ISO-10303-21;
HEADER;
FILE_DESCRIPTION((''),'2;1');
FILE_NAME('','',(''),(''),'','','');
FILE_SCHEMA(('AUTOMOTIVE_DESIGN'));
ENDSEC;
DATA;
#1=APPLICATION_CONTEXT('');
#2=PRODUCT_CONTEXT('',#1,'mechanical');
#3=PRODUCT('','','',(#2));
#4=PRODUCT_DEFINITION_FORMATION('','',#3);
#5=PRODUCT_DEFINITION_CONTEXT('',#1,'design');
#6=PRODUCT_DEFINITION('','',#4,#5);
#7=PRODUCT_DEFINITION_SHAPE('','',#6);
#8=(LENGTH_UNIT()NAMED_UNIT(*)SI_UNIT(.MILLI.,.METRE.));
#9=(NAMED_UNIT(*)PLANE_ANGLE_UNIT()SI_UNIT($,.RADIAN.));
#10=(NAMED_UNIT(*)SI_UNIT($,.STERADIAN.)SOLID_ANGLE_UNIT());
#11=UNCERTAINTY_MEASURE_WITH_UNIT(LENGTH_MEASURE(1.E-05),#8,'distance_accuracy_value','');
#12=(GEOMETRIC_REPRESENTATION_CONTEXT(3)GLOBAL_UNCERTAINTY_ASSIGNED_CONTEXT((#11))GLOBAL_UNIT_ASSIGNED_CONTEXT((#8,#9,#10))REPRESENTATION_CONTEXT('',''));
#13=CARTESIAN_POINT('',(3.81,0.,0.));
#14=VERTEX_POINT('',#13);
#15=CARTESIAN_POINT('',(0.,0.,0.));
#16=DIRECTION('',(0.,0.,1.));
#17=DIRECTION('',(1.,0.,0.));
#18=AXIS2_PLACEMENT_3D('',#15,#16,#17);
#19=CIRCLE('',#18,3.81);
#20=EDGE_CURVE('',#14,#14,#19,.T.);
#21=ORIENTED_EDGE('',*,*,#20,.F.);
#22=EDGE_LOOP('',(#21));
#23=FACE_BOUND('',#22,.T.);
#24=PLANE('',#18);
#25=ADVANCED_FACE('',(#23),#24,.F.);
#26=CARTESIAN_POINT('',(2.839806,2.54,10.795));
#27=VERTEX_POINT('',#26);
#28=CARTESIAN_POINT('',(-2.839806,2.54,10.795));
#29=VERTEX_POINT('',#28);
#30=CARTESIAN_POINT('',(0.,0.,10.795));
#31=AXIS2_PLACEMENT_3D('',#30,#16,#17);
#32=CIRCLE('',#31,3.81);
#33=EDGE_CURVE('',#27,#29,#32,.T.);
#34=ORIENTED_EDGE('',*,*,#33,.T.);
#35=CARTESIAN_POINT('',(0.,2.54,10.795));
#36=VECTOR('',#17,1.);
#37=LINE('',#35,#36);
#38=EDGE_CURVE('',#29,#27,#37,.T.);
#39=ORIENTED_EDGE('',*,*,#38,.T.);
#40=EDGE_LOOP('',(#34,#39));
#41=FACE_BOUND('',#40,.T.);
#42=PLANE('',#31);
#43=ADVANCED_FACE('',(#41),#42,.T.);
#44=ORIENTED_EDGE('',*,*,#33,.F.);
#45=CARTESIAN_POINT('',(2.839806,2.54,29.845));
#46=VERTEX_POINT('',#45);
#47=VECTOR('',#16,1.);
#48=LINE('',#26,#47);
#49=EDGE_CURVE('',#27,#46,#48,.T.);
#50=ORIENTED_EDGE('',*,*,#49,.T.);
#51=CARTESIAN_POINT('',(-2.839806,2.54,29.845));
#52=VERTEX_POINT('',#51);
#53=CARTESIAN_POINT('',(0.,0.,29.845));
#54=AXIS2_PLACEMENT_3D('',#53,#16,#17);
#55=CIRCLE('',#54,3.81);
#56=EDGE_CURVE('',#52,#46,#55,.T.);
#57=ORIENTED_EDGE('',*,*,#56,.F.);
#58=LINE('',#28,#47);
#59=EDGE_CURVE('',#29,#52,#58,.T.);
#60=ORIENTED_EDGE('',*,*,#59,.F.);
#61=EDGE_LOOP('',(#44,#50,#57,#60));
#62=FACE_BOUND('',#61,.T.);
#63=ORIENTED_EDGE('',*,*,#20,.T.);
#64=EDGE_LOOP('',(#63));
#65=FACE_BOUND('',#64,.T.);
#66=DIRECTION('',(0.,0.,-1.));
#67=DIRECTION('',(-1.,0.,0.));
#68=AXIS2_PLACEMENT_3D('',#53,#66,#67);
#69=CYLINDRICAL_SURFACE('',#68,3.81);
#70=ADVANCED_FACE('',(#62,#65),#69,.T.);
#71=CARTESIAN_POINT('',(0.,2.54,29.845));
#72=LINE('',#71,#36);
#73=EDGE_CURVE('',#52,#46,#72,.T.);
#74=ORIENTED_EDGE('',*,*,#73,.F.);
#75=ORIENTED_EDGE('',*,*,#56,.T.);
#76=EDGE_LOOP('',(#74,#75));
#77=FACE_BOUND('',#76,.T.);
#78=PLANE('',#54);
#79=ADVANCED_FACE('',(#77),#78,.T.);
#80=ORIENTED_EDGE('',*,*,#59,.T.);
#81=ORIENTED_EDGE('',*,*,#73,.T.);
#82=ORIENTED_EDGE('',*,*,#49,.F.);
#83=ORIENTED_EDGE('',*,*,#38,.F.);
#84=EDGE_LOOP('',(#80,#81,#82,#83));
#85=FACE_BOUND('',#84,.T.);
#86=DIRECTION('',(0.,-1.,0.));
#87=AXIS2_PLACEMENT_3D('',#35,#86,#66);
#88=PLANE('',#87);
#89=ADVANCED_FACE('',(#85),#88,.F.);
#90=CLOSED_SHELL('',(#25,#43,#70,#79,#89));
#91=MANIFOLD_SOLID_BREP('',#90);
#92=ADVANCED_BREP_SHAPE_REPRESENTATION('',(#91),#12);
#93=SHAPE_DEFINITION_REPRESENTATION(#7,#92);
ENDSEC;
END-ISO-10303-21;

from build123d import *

# Parameters (mm, degrees)
SKETCH1_R           = 3.81
BOSS_EXTRUDE1_DEPTH = 29.845
CUT_EXTRUDE1_DEPTH  = 19.05


with BuildPart() as part:
    # Sketch1 → Boss-Extrude1 (new body)
    with BuildSketch(Plane.XY):
        with Locations(Location((0, 0, 0), (0, 0, 180))):
            Circle(SKETCH1_R)
    extrude(amount=BOSS_EXTRUDE1_DEPTH)

    # Sketch2 → Cut-Extrude1 (cut)
    with BuildSketch(Plane.XY.offset(29.845)):
        Polygon((-31.229197213, 2.54), (-2.839806331, 2.54), (2.839806331, 2.54), (31.229197213, 2.54), (31.229197213, 59.318781762), (-31.229197213, 59.318781762), align=None)
    extrude(amount=-CUT_EXTRUDE1_DEPTH, mode=Mode.SUBTRACT)


solid = part.part
